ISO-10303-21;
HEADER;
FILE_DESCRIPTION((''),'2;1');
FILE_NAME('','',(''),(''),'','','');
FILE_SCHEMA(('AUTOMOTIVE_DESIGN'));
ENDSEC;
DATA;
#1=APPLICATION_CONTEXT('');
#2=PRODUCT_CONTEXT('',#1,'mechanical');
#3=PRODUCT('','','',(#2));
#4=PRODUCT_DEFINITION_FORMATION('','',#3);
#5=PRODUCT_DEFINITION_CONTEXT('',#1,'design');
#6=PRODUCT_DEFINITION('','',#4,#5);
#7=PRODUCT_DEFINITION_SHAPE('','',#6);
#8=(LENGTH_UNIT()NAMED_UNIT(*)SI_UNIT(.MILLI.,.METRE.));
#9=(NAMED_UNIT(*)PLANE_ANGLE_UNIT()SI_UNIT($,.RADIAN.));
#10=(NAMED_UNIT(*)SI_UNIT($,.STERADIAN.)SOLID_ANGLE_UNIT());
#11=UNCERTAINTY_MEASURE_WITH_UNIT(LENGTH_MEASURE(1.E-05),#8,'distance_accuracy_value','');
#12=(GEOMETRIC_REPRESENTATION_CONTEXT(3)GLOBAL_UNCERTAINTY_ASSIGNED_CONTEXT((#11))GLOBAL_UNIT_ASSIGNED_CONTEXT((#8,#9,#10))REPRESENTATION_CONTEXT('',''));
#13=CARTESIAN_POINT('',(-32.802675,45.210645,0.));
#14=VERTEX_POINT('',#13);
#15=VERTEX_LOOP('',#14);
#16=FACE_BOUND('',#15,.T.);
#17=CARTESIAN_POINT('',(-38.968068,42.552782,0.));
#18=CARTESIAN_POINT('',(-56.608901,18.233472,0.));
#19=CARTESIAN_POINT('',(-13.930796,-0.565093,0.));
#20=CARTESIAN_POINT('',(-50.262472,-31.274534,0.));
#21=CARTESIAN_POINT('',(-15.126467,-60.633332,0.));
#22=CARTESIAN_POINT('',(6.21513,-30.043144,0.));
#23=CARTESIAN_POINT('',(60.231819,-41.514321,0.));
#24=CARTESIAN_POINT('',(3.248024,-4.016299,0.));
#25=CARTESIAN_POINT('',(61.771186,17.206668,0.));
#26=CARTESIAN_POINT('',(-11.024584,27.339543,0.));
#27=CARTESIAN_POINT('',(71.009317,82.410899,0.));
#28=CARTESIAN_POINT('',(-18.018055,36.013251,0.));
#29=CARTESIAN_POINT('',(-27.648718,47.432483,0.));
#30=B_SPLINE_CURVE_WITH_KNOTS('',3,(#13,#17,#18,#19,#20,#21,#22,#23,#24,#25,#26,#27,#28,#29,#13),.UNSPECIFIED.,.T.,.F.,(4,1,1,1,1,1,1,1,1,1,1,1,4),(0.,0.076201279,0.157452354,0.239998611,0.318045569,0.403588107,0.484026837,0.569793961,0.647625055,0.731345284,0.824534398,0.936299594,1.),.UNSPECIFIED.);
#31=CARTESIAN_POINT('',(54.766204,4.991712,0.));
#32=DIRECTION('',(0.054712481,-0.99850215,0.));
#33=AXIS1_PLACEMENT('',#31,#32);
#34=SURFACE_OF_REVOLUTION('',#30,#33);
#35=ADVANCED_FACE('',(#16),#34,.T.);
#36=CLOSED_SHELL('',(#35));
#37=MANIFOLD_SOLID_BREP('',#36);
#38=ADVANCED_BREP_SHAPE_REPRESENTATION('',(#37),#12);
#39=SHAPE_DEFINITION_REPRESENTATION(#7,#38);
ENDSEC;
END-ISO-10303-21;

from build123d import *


with BuildPart() as f1:
    # F0 (on Top) → F1 (revolve)
    with BuildSketch(Plane.XY):
        with BuildLine():
            add(Edge.make_bspline(
                [(-32.8026749194, 45.2106446028), (-38.9680684359, 42.5527823936), (-56.6089008814, 18.2334717231), (-13.9307961165, -0.5650926114), (-50.2624722743, -31.2745344423), (-15.1264671865, -60.6333323603), (6.2151298618, -30.043143714), (60.2318189216, -41.5143208823), (3.2480235611, -4.0162985499), (61.7711864212, 17.2066678678), (-11.0245843964, 27.3395429807), (71.0093168978, 82.4108991868), (-18.0180552161, 36.0132509876), (-27.6487184948, 47.432482669), (-32.8026749194, 45.2106446028)],
                knots=[0, 0, 0, 0, 0.0762012793, 0.1574523539, 0.2399986107, 0.3180455694, 0.4035881067, 0.4840268373, 0.5697939614, 0.647625055, 0.7313452842, 0.8245343976, 0.9362995935, 1, 1, 1, 1], degree=3))
        make_face()
    revolve(axis=Axis((54.7662042081, 4.9917120486, 0), (0.0547124809, -0.9985021504, 0)))


solid = f1.part
